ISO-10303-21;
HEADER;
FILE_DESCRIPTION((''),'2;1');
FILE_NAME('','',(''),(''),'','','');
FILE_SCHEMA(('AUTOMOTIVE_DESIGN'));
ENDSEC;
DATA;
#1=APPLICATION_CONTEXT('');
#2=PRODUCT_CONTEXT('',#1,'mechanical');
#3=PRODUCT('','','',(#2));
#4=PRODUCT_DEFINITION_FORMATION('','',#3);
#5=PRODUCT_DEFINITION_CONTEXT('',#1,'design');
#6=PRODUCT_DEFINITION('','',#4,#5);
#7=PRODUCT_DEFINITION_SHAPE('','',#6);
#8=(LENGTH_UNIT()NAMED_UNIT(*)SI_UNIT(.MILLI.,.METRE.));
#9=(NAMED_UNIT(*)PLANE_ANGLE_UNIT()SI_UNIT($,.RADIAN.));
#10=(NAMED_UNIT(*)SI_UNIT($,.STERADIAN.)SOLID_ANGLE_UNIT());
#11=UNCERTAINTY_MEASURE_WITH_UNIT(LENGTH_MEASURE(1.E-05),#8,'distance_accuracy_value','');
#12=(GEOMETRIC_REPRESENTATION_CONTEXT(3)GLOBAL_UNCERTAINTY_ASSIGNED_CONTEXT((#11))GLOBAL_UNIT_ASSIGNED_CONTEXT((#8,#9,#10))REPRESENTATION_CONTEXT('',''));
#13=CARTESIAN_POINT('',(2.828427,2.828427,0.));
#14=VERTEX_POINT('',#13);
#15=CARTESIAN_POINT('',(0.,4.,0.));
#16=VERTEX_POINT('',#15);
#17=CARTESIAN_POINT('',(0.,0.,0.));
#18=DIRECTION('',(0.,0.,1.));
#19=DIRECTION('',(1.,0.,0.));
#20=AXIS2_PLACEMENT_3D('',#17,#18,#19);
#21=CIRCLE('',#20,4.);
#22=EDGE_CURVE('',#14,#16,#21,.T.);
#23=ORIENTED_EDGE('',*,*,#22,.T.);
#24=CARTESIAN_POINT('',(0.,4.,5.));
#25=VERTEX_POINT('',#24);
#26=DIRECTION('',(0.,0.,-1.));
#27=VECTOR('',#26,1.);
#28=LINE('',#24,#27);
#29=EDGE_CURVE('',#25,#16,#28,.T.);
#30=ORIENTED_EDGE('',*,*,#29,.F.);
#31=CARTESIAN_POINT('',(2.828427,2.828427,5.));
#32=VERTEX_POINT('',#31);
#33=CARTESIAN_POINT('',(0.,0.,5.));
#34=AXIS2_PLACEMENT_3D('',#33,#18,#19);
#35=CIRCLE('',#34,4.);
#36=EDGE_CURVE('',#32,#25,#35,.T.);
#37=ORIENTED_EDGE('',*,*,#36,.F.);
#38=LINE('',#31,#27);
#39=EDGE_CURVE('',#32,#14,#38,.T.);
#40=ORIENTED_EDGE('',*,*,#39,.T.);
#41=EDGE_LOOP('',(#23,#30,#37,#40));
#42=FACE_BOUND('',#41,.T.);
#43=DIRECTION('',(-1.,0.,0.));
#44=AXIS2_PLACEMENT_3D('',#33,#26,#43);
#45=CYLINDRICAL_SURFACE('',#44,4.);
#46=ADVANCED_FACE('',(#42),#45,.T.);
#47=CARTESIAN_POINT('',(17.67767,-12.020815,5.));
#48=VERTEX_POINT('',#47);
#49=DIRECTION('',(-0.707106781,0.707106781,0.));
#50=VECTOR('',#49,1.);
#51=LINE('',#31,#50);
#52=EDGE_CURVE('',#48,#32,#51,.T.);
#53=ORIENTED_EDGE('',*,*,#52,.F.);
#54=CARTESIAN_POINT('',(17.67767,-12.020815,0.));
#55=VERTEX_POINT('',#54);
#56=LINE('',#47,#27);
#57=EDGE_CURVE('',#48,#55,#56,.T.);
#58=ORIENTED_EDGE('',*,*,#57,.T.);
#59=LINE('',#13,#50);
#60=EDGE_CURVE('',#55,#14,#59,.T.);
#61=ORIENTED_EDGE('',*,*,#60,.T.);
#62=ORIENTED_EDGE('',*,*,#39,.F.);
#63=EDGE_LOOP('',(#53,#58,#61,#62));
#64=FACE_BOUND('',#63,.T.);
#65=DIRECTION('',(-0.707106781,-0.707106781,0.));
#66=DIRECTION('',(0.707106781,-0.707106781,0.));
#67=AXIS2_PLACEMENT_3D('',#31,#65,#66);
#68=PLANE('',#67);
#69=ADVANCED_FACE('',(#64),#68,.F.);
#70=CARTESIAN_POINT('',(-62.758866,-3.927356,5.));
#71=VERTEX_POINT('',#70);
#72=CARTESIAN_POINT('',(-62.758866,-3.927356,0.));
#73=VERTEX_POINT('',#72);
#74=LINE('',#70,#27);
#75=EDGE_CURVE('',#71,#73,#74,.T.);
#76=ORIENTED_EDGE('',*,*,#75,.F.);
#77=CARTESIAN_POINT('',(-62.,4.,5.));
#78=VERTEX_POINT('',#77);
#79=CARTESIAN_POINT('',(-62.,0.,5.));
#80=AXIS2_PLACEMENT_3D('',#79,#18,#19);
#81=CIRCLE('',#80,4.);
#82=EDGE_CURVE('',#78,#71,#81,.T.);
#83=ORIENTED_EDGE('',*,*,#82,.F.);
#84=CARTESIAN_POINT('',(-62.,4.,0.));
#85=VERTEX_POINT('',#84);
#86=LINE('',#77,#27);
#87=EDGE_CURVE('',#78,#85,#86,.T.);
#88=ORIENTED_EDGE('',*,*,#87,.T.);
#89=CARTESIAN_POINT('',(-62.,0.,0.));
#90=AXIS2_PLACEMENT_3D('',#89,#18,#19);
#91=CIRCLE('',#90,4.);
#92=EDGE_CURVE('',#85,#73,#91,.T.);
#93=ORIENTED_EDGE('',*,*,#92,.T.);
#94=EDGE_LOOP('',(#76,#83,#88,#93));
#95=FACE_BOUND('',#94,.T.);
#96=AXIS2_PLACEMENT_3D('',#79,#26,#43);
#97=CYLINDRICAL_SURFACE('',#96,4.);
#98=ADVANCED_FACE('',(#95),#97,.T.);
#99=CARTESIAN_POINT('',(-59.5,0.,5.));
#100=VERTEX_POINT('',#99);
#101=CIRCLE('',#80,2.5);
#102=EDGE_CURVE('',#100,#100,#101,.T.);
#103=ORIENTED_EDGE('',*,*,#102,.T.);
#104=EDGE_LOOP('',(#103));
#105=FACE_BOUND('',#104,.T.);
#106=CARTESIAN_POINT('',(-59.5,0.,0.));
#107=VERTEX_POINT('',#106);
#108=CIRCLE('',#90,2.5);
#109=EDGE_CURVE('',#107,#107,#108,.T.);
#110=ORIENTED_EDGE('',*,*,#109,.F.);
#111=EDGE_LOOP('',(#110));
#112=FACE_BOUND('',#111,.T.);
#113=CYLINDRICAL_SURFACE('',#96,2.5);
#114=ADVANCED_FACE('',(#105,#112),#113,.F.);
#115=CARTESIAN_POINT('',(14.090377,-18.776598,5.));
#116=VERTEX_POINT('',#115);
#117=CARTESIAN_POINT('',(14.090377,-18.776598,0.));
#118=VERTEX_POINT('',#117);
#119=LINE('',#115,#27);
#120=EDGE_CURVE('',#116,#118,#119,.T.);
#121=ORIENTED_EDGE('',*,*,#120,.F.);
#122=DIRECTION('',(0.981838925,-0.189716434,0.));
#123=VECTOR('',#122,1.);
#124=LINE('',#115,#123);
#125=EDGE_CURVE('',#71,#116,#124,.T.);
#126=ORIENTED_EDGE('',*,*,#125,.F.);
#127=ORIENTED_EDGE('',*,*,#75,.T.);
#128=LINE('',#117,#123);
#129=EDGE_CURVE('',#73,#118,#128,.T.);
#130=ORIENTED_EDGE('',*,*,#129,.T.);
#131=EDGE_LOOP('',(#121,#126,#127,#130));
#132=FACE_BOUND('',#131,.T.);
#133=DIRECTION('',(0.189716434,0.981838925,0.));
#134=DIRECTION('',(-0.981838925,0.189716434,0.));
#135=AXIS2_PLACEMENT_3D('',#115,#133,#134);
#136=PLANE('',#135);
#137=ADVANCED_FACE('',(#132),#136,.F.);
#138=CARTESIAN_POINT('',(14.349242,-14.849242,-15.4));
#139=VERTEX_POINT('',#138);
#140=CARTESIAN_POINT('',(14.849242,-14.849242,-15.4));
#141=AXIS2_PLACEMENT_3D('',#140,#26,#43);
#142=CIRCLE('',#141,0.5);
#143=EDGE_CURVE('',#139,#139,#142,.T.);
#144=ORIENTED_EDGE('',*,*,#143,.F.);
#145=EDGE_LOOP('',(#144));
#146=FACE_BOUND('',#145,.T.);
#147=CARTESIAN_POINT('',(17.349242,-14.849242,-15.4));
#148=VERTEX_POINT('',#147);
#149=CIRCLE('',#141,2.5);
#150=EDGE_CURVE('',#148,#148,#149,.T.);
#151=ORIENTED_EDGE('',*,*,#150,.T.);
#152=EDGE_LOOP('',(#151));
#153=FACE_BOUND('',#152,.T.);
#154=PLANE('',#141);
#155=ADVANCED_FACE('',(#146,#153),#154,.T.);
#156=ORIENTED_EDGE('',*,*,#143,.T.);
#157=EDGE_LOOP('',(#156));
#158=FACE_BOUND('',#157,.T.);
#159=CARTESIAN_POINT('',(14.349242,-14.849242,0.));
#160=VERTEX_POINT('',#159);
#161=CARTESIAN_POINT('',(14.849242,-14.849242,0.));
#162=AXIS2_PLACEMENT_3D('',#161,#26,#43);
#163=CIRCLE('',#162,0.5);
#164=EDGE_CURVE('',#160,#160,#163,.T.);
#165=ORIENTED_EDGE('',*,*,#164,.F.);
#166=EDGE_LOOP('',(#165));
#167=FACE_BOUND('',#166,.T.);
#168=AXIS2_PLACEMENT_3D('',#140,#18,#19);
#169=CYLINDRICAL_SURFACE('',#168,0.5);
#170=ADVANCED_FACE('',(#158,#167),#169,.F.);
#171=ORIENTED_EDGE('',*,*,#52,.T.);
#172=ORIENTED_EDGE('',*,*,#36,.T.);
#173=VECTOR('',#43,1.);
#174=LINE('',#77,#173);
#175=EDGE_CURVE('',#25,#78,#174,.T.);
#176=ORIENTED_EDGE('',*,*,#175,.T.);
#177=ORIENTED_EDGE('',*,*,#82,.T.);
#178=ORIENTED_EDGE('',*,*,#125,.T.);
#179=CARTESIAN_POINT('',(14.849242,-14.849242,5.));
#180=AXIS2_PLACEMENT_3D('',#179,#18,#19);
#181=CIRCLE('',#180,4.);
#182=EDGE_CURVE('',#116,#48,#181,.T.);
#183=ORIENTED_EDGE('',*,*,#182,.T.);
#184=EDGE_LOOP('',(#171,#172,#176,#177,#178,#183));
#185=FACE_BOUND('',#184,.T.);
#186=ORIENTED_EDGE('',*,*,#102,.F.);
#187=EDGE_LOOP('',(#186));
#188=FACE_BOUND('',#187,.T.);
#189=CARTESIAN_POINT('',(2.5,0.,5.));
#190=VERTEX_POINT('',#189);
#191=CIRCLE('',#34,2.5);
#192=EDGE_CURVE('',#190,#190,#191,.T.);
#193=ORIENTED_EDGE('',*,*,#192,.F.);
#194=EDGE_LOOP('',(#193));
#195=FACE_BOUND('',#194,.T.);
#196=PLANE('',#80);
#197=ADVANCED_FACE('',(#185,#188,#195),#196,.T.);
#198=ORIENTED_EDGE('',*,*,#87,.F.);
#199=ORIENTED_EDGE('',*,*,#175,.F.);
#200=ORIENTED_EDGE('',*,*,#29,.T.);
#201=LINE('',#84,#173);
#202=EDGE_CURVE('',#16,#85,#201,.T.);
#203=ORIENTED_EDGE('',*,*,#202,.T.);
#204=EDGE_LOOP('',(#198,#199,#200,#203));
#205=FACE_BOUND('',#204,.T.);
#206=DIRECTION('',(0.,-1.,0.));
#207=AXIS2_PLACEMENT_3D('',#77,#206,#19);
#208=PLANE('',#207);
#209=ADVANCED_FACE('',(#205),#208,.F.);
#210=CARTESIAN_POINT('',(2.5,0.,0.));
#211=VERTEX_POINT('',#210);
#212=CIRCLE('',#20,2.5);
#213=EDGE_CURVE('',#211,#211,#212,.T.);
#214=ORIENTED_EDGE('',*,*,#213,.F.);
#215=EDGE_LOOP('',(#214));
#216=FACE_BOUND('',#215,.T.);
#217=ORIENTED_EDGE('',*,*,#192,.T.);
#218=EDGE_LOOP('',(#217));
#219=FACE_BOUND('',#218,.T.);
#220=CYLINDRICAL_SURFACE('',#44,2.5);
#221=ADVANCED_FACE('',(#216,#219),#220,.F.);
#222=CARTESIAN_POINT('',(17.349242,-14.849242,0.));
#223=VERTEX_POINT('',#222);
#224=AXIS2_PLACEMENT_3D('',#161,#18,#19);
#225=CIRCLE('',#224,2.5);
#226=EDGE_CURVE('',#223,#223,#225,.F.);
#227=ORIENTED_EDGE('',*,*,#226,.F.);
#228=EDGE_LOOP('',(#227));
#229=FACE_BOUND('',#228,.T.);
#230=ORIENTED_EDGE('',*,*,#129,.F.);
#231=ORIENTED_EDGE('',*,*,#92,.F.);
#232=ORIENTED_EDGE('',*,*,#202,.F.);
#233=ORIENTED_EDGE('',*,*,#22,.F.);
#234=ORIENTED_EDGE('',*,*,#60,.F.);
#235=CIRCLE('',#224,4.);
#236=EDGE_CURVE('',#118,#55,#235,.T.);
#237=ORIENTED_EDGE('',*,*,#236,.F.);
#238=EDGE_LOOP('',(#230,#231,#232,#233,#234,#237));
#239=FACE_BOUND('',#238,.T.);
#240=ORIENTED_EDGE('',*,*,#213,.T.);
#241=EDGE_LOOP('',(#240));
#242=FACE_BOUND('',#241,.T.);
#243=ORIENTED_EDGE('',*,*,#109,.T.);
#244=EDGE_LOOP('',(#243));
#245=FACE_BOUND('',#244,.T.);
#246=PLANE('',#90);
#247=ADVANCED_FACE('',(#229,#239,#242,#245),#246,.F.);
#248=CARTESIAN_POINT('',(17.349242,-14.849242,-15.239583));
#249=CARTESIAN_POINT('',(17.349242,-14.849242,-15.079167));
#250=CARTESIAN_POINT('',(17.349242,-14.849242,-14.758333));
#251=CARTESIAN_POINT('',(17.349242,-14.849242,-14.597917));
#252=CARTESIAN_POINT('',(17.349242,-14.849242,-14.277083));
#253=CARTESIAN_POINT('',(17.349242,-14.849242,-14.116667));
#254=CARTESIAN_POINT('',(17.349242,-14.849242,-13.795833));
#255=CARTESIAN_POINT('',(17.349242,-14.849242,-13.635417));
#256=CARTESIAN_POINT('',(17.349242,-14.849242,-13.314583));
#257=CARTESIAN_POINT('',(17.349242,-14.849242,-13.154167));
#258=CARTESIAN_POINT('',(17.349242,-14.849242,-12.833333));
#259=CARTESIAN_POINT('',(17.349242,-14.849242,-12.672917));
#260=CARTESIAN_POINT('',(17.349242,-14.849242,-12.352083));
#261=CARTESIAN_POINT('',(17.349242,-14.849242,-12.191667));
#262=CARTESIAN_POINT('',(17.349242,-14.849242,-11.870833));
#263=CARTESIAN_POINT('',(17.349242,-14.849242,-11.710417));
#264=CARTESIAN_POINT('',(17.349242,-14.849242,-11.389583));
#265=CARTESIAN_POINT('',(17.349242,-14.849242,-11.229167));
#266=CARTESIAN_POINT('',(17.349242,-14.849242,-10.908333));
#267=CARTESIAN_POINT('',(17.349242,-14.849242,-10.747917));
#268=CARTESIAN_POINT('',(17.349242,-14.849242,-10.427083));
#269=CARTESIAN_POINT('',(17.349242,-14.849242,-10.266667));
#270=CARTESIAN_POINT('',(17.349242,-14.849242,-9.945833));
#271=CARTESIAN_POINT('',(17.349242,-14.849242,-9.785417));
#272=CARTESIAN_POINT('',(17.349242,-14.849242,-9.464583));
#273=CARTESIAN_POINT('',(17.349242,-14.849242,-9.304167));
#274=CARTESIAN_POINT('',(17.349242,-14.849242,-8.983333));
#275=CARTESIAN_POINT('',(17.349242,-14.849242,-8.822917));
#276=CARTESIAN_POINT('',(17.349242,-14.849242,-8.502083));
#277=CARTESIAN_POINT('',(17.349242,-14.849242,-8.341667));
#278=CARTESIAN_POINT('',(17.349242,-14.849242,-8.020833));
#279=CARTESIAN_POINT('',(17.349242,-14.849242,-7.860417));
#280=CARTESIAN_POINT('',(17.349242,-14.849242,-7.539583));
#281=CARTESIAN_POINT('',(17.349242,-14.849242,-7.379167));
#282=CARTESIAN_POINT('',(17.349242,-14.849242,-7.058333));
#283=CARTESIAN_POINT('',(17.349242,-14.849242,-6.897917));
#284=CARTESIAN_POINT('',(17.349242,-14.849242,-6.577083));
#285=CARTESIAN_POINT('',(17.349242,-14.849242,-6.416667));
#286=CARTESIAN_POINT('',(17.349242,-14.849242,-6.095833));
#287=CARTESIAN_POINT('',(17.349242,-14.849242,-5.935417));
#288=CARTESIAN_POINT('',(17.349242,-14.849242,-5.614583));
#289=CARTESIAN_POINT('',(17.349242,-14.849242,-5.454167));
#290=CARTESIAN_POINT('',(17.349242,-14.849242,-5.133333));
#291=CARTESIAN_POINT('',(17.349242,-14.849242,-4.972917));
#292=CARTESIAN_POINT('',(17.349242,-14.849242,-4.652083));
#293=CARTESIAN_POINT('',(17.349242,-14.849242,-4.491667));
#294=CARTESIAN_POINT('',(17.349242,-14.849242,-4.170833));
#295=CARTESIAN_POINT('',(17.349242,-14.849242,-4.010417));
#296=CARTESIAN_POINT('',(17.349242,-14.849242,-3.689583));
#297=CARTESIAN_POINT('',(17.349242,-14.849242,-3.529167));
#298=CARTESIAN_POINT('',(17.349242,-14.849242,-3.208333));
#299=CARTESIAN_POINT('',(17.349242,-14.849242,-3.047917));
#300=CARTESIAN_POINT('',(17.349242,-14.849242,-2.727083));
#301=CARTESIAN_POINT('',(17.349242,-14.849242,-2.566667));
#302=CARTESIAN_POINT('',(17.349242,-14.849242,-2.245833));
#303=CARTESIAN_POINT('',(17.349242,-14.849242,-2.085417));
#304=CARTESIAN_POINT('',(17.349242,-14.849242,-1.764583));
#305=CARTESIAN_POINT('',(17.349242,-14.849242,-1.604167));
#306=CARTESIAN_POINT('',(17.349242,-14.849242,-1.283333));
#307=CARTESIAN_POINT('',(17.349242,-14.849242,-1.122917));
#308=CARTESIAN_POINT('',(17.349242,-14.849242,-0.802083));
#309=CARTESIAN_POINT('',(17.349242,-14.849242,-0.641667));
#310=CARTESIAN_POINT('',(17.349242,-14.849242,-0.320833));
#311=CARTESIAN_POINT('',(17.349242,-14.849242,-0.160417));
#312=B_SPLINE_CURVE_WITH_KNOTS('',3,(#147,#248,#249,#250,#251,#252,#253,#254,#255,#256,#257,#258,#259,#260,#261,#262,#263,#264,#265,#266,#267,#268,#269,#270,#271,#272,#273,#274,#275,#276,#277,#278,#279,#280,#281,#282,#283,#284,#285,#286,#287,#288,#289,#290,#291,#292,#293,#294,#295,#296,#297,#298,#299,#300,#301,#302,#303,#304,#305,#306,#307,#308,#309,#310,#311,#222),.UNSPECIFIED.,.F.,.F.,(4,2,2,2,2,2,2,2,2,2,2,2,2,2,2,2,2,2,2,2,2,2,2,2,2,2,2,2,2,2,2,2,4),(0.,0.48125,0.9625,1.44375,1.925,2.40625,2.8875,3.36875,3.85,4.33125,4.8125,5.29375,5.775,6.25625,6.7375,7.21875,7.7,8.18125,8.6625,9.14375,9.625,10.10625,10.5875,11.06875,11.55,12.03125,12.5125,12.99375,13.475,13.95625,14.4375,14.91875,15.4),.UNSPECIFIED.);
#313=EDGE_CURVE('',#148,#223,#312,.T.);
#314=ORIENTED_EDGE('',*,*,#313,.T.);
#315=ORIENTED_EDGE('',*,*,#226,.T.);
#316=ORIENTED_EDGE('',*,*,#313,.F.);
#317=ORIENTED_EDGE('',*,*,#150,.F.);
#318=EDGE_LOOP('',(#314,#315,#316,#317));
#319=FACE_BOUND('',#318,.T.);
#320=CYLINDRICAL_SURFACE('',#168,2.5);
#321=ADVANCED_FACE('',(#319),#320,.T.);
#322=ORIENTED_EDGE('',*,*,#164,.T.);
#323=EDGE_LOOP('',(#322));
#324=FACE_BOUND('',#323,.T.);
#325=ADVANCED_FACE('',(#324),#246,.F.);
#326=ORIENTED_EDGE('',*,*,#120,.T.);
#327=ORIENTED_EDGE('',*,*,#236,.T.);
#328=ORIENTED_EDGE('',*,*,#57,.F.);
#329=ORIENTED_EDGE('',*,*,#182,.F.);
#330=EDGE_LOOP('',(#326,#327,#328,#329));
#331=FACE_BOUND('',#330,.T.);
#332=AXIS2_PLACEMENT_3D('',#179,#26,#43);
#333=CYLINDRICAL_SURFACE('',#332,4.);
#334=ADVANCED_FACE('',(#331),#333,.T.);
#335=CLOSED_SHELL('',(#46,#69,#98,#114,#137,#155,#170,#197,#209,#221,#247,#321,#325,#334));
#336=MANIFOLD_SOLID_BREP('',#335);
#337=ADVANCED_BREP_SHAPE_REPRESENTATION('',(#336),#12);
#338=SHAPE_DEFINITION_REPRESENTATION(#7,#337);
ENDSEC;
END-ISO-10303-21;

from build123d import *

# Parameters (mm, degrees)
SKETCH2_R           = 2.5
BOSS_EXTRUDE1_DEPTH = 5
SKETCH3_R           = 2.5
SKETCH3_R_2         = 0.5
BOSS_EXTRUDE2_DEPTH = 15.4


with BuildPart() as part:
    # Sketch2 → Boss-Extrude1 (new body)
    with BuildSketch(Plane.XY):
        with BuildLine():
            Line((-62, 4), (0, 4))
            ThreePointArc((0, 4), (1.530733729, 3.69551813), (2.828427125, 2.828427125))
            Line((2.828427125, 2.828427125), (17.67766953, -12.02081528))
            ThreePointArc((17.67766953, -12.02081528), (18.382077171, -16.725163117), (14.09037667, -18.776598105))
            Line((14.09037667, -18.776598105), (-62.758865735, -3.9273557))
            ThreePointArc((-62.758865735, -3.9273557), (-65.981797509, 0.381167417), (-62, 4))
        make_face()
        with Locations((-62, 0)):
            Circle(SKETCH2_R, mode=Mode.SUBTRACT)
        Circle(SKETCH2_R, mode=Mode.SUBTRACT)
    extrude(amount=BOSS_EXTRUDE1_DEPTH)

    # Sketch3 → Boss-Extrude2 (add)
    with BuildSketch(Plane(origin=(0, 0, 0), x_dir=(-1, 0, 0), z_dir=(0, 0, -1))):
        with Locations(Location((-14.849242405, -14.849242405, 0), (0, 0, 180))):
            Circle(SKETCH3_R)
        with Locations((-14.849242405, -14.849242405)):
            Circle(SKETCH3_R_2, mode=Mode.SUBTRACT)
    extrude(amount=BOSS_EXTRUDE2_DEPTH)


solid = part.part
